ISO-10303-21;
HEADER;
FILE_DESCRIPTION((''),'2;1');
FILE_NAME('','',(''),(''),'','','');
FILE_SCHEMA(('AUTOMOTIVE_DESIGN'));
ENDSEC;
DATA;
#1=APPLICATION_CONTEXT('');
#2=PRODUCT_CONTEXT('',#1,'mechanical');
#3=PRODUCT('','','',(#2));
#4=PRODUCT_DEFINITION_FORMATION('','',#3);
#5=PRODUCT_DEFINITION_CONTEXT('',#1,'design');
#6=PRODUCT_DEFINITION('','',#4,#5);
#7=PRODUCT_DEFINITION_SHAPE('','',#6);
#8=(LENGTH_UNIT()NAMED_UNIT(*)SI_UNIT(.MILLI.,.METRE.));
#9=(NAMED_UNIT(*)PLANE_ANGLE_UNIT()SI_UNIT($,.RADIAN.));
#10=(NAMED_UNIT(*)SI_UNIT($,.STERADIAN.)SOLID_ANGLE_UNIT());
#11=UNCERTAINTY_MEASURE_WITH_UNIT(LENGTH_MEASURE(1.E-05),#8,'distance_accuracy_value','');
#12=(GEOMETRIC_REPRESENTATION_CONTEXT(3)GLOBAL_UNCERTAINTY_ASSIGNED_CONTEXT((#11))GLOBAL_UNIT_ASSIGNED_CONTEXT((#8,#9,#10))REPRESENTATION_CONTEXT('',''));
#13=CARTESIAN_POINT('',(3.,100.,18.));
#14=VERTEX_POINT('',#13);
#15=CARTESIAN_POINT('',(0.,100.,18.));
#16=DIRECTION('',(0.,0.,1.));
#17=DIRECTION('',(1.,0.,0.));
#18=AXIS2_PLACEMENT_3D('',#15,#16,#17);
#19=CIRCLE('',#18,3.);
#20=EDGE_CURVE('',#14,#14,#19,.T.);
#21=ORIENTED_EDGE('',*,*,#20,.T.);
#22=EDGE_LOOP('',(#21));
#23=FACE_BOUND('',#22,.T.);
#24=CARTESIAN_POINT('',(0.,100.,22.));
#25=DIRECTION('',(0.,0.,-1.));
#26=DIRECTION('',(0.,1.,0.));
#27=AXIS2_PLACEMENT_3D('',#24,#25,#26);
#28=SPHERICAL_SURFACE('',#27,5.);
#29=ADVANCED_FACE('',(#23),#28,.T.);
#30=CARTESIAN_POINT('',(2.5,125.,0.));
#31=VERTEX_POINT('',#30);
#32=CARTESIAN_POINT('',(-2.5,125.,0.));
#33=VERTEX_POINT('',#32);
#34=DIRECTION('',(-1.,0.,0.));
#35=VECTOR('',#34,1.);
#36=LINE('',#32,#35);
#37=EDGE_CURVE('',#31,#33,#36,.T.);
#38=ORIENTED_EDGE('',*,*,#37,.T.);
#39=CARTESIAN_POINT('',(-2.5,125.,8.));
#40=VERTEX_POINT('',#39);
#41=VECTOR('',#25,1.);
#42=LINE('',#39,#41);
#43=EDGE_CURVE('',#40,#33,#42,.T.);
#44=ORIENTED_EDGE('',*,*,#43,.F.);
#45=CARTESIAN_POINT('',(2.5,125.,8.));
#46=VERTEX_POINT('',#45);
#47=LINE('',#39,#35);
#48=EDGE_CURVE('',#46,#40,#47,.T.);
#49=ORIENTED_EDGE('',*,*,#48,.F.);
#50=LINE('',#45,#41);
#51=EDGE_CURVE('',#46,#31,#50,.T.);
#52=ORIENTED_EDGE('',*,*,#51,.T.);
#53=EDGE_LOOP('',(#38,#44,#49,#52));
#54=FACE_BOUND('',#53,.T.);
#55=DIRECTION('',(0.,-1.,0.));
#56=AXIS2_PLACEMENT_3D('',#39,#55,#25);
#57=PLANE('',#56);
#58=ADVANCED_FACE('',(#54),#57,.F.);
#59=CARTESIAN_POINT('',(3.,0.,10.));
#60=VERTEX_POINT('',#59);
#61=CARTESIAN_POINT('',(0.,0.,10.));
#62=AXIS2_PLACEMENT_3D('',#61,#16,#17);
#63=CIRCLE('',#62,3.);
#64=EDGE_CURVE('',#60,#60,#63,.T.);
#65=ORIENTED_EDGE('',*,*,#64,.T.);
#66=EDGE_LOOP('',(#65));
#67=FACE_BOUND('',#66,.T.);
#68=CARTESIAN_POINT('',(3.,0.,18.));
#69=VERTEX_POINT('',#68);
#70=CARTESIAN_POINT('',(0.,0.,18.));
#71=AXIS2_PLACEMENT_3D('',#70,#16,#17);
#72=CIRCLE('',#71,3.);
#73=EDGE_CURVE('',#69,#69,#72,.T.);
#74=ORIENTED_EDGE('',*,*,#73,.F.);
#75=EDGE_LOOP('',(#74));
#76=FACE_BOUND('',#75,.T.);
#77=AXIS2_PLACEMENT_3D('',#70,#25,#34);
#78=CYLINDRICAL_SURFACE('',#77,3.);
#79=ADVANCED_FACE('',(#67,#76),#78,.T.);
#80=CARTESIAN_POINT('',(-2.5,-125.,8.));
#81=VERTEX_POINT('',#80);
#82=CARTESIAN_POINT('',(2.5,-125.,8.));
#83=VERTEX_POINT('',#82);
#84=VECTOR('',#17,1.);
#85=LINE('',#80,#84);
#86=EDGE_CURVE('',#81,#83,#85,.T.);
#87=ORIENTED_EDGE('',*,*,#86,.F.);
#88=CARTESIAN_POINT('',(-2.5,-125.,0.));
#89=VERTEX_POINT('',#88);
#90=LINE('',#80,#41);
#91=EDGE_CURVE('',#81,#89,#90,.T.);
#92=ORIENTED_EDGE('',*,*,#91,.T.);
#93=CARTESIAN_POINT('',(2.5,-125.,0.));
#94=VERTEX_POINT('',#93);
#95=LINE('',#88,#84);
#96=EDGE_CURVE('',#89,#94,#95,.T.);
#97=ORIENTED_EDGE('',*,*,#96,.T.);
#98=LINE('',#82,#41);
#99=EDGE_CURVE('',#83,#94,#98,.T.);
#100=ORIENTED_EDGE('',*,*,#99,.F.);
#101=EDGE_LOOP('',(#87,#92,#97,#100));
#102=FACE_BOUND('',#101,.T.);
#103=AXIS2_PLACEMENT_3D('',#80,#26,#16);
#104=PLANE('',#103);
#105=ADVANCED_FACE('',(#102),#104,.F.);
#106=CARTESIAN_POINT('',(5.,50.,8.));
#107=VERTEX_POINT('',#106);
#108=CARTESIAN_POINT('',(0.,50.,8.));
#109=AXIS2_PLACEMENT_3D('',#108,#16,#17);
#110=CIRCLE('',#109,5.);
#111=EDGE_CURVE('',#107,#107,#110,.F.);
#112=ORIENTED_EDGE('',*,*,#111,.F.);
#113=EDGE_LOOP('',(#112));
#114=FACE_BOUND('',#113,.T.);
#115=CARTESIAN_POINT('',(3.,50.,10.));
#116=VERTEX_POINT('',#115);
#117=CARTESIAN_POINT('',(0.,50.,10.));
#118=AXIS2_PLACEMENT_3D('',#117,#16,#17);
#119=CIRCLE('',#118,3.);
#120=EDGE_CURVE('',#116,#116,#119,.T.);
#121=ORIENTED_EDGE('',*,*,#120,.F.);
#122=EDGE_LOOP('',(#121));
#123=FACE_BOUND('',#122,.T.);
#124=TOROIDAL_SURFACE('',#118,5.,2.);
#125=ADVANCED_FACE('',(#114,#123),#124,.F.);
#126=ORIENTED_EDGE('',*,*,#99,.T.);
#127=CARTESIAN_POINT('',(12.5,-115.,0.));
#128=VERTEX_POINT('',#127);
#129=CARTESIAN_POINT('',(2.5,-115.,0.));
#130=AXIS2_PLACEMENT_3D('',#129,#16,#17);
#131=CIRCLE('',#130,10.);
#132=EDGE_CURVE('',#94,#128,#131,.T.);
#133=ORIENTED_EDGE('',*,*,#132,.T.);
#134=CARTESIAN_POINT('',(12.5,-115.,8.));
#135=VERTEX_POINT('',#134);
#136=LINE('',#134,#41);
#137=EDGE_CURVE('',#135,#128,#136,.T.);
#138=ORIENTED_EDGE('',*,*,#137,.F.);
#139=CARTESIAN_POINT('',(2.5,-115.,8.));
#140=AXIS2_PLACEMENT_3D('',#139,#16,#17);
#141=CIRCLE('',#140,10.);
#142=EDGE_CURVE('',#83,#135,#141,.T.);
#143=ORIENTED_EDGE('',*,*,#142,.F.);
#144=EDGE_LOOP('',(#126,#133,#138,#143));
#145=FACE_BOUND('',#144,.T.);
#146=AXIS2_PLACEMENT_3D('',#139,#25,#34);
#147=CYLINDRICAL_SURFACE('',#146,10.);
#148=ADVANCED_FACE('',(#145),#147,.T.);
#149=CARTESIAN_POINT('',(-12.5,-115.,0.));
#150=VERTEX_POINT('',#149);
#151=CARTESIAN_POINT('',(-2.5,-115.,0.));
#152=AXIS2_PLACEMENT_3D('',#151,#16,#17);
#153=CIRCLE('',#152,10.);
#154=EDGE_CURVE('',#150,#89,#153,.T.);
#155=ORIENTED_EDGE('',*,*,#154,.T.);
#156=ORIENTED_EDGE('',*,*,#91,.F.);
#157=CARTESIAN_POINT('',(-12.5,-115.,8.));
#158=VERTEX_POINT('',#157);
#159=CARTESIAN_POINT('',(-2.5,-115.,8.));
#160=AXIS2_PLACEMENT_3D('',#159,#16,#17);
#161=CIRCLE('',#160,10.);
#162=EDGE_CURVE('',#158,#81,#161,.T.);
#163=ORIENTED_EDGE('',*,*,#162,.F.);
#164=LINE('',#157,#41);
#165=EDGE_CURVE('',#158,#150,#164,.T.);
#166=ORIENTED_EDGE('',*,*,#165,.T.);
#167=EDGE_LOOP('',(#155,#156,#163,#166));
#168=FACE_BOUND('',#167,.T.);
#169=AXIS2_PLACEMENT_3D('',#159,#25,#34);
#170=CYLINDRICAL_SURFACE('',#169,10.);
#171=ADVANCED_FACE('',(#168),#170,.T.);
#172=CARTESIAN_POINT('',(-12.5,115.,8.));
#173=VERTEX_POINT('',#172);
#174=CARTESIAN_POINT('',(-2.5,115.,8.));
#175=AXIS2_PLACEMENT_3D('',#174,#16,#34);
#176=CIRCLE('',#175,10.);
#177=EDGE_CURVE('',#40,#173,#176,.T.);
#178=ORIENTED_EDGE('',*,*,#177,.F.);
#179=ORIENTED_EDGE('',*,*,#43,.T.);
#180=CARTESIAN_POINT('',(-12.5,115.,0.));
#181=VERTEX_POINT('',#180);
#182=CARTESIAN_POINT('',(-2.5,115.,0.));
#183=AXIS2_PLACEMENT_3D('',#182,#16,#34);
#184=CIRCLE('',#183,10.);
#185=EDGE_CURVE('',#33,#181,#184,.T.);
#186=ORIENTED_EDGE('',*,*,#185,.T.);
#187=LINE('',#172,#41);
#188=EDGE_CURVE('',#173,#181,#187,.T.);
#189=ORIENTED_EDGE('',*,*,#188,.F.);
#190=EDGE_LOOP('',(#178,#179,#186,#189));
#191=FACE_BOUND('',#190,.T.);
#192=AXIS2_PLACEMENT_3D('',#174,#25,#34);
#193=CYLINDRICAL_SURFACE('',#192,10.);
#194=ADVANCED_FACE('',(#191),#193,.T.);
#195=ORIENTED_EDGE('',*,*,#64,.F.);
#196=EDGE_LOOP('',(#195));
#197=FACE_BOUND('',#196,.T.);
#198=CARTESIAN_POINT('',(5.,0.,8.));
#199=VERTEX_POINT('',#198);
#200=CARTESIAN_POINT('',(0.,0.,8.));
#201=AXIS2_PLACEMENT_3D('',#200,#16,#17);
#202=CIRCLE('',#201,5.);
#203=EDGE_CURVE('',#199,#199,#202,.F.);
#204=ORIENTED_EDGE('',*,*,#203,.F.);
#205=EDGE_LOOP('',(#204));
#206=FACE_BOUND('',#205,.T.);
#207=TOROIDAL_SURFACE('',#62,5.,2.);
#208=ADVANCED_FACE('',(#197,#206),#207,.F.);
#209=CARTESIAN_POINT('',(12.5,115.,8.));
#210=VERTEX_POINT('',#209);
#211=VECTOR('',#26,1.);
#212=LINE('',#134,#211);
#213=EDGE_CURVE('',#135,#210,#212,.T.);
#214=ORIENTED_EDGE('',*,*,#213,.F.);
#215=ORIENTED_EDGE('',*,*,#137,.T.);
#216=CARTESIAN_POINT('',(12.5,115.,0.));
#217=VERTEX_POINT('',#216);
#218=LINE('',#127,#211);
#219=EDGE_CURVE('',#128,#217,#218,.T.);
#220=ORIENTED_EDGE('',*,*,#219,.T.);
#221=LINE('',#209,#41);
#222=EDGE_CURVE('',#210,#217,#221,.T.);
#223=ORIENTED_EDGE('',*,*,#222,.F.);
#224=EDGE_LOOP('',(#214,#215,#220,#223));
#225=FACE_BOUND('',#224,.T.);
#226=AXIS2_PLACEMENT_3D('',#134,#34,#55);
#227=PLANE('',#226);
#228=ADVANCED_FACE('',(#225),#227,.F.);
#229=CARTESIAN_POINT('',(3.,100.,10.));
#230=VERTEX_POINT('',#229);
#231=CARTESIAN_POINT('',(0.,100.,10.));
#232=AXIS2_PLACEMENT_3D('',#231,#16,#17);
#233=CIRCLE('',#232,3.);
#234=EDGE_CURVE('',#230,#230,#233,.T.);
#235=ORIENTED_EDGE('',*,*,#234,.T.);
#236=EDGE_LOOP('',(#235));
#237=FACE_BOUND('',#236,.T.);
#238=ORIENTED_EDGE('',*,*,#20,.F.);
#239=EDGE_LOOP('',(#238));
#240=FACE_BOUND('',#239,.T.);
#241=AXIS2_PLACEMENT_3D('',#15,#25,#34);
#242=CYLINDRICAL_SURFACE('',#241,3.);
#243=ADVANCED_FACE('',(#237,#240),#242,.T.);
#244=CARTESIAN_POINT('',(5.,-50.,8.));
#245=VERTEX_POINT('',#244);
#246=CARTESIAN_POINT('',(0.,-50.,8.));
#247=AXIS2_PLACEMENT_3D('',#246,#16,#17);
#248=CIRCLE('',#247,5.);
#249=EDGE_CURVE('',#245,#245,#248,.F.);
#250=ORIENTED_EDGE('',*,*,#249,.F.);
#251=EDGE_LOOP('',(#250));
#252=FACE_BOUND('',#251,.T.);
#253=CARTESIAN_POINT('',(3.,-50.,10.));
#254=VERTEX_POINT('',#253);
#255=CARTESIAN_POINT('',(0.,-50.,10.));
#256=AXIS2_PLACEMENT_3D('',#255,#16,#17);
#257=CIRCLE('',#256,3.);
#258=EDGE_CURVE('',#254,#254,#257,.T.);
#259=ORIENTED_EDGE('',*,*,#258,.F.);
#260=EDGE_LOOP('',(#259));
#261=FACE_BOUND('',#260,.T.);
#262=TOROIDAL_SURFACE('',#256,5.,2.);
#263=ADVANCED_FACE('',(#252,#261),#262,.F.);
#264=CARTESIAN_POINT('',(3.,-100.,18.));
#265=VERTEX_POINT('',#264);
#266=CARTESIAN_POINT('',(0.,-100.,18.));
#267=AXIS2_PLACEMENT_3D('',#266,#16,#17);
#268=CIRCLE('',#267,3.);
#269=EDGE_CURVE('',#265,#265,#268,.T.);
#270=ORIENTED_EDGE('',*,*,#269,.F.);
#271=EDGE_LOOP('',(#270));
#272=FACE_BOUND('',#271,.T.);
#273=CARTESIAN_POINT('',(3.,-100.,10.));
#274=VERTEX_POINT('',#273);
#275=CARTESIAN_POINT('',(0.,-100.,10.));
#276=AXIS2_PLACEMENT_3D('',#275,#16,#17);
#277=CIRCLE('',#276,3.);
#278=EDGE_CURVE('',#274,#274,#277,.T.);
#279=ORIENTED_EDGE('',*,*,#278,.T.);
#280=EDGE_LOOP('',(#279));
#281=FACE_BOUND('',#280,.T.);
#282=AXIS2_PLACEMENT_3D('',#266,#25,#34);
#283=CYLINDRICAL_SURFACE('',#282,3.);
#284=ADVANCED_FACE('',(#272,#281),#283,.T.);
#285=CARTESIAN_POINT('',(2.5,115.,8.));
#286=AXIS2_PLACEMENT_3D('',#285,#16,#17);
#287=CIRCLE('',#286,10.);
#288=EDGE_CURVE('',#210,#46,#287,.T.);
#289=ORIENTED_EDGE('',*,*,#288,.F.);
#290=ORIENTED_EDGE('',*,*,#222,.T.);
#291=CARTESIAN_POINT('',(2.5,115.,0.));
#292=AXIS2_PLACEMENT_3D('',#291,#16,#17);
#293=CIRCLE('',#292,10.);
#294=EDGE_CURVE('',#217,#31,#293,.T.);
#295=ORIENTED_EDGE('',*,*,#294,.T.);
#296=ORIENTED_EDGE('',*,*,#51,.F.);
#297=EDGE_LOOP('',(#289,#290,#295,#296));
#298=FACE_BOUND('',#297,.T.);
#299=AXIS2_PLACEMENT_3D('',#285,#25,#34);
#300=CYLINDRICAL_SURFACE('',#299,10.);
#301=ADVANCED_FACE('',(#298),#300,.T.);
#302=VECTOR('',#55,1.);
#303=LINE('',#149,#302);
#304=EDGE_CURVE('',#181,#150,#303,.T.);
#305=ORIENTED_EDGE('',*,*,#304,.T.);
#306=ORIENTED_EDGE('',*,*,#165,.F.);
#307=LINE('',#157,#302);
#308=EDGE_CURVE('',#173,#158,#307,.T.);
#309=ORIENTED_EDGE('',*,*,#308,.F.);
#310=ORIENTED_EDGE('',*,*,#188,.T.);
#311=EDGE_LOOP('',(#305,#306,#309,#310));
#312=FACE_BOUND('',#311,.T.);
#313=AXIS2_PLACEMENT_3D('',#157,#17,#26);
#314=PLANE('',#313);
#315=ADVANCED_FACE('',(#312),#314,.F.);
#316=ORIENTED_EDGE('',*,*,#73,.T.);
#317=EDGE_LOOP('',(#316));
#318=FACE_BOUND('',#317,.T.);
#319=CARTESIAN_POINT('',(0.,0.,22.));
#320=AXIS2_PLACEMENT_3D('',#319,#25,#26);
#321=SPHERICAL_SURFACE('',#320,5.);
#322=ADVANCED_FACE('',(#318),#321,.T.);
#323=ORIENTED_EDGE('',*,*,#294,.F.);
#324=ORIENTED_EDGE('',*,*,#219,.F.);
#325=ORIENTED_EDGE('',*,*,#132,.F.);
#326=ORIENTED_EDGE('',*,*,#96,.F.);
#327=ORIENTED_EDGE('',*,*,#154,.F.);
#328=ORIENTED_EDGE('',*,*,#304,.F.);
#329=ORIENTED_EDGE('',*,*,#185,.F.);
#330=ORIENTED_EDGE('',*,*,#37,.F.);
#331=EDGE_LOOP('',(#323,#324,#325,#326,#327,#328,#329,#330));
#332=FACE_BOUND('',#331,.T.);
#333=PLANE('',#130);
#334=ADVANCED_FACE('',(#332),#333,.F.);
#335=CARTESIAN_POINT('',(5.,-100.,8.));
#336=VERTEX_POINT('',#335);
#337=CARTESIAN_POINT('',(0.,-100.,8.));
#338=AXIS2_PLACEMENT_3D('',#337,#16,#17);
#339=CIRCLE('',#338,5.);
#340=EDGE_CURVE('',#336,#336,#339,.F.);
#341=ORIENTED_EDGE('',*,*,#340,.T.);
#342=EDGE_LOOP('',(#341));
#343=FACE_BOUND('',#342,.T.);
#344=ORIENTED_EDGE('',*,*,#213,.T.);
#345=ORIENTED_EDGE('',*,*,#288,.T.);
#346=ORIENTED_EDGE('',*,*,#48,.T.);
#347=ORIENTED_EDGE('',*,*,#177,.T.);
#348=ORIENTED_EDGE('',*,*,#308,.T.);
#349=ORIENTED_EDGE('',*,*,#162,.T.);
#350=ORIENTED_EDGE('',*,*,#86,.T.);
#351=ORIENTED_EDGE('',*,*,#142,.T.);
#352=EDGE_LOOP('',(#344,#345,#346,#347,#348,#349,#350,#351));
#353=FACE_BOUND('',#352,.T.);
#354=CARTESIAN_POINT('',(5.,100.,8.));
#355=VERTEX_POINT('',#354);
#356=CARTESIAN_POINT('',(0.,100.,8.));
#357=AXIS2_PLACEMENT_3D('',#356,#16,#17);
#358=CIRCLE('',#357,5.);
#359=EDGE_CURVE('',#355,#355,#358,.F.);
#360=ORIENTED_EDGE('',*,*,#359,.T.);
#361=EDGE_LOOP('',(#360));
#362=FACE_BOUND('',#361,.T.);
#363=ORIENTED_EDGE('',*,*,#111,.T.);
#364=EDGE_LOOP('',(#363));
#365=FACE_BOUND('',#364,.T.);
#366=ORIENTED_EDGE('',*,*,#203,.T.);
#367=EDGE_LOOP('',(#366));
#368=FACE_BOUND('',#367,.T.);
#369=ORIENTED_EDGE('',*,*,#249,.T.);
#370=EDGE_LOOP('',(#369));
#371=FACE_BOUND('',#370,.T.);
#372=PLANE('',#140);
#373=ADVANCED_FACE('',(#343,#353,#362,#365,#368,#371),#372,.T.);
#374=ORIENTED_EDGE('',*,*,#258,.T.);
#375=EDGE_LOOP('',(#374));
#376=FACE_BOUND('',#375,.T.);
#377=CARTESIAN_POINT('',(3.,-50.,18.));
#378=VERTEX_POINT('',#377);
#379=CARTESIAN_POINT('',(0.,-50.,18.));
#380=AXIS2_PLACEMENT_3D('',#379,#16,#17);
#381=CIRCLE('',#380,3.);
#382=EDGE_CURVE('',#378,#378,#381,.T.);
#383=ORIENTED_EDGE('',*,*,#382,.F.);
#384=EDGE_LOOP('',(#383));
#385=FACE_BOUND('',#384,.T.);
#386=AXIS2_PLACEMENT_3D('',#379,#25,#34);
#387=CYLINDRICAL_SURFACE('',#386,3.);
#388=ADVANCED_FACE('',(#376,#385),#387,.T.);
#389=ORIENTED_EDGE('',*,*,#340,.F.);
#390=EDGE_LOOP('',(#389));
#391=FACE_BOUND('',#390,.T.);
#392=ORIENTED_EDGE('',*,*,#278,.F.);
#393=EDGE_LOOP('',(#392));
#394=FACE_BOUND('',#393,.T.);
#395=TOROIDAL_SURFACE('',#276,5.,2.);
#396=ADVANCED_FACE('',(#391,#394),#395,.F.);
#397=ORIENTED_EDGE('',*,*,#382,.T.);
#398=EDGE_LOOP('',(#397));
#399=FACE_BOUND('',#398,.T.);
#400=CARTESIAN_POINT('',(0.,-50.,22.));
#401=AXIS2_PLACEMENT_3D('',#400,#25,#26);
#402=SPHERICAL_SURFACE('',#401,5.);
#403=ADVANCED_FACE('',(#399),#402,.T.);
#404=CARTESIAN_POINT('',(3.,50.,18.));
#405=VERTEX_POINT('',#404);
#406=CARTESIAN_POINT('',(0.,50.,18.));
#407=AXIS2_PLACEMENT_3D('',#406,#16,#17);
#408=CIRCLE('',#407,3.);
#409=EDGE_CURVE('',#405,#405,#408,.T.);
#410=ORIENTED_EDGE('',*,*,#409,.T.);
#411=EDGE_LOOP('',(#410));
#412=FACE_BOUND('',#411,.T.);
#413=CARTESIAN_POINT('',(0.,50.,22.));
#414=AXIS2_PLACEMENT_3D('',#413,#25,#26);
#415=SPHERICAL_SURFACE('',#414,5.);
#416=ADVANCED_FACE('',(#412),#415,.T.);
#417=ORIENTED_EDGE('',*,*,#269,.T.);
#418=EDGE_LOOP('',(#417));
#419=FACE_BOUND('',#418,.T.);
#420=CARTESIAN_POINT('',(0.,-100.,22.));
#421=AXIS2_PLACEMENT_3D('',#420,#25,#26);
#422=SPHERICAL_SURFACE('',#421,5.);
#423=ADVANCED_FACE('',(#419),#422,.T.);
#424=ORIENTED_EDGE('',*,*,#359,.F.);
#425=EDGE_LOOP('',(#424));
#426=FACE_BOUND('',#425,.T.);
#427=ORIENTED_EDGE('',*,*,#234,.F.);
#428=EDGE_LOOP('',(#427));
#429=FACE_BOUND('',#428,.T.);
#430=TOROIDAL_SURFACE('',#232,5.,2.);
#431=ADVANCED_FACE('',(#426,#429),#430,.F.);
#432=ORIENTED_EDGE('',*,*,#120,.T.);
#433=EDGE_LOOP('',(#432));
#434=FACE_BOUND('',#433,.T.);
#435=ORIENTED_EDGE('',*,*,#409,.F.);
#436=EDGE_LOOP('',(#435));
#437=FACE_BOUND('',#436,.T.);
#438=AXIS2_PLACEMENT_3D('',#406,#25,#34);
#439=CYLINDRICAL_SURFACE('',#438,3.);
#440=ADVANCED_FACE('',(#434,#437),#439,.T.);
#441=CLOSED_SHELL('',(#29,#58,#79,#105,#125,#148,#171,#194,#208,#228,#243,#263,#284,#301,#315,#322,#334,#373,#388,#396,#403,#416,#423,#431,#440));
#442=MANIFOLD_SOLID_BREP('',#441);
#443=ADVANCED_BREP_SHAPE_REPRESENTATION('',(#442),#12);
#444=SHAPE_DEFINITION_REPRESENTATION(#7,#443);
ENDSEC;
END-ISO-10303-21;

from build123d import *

# Parameters (mm, degrees)
SALIENTE_EXTRUIR1_DEPTH     = 8
CROQUIS2_R                  = 3
SALIENTE_EXTRUIR2_DEPTH     = 10
REDONDEO1_R                 = 2
MATRIZL3_COUNT              = 3
MATRIZL3_PITCH              = 50
REDONDEO1_OF_MATRIZL3_R     = 2
MATRIZL3_COL_COUNT          = 3
MATRIZL3_COL_PITCH          = 50
REDONDEO1_OF_MATRIZL3_COL_R = 2


with BuildPart() as part:
    # Croquis1 → Saliente-Extruir1 (new body)
    with BuildSketch(Plane(origin=(0, 0, 0), x_dir=(0, 1, 0), z_dir=(0, 0, 1))):
        with BuildLine():
            Line((-115, 12.5), (115, 12.5))
            ThreePointArc((115, 12.5), (122.071067812, 9.571067812), (125, 2.5))
            Line((125, 2.5), (125, -2.5))
            ThreePointArc((125, -2.5), (122.071067812, -9.571067812), (115, -12.5))
            Line((115, -12.5), (-115, -12.5))
            ThreePointArc((-115, -12.5), (-122.071067812, -9.571067812), (-125, -2.5))
            Line((-125, -2.5), (-125, 2.5))
            ThreePointArc((-125, 2.5), (-122.071067812, 9.571067812), (-115, 12.5))
        make_face()
    extrude(amount=SALIENTE_EXTRUIR1_DEPTH)

    # Croquis2 → Saliente-Extruir2 (add)
    with BuildSketch(Plane.XY.offset(8)):
        Circle(CROQUIS2_R)
    saliente_extruir2 = extrude(amount=SALIENTE_EXTRUIR2_DEPTH)

    # Croquis3 → Revolución1 (revolve)
    with BuildSketch(Plane.YZ, mode=Mode.PRIVATE) as revoluci_n1_sk:
        with BuildLine():
            Line((-3, 18), (0, 18))
            Line((0, 18), (0, 27))
            ThreePointArc((0, 27), (-4.74341649, 23.58113883), (-3, 18))
        make_face()
    revoluci_n1 = revolve(revoluci_n1_sk.sketch.rotate(Axis((0, 0, 18), (0, 0, 1)), 180), axis=Axis((0, 0, 18), (0, 0, 1)))

    # Redondeo1
    redondeo1_edges = [part.edges().sort_by_distance(p)[0] for p in [
        (-3, 0, 8),
    ]]
    fillet(redondeo1_edges, radius=REDONDEO1_R)

    # MatrizL3: Saliente-Extruir2, Revolución1 ×3
    with Locations(*[(0, i * MATRIZL3_PITCH, 0) for i in range(1, MATRIZL3_COUNT)]):
        add(saliente_extruir2)
        add(revoluci_n1)

    # Redondeo1 of MatrizL3
    redondeo1_of_matrizl3_edges = [part.edges().sort_by_distance(p)[0] for p in [
        (-3, 50, 8),
        (-3, 100, 8),
    ]]
    fillet(redondeo1_of_matrizl3_edges, radius=REDONDEO1_OF_MATRIZL3_R)

    # MatrizL3 col: Saliente-Extruir2, Revolución1 ×3
    with Locations(*[(0, -i * MATRIZL3_COL_PITCH, 0) for i in range(1, MATRIZL3_COL_COUNT)]):
        add(saliente_extruir2)
        add(revoluci_n1)

    # Redondeo1 of MatrizL3 col
    redondeo1_of_matrizl3_col_edges = [part.edges().sort_by_distance(p)[0] for p in [
        (-3, -50, 8),
        (-3, -100, 8),
    ]]
    fillet(redondeo1_of_matrizl3_col_edges, radius=REDONDEO1_OF_MATRIZL3_COL_R)


solid = part.part
